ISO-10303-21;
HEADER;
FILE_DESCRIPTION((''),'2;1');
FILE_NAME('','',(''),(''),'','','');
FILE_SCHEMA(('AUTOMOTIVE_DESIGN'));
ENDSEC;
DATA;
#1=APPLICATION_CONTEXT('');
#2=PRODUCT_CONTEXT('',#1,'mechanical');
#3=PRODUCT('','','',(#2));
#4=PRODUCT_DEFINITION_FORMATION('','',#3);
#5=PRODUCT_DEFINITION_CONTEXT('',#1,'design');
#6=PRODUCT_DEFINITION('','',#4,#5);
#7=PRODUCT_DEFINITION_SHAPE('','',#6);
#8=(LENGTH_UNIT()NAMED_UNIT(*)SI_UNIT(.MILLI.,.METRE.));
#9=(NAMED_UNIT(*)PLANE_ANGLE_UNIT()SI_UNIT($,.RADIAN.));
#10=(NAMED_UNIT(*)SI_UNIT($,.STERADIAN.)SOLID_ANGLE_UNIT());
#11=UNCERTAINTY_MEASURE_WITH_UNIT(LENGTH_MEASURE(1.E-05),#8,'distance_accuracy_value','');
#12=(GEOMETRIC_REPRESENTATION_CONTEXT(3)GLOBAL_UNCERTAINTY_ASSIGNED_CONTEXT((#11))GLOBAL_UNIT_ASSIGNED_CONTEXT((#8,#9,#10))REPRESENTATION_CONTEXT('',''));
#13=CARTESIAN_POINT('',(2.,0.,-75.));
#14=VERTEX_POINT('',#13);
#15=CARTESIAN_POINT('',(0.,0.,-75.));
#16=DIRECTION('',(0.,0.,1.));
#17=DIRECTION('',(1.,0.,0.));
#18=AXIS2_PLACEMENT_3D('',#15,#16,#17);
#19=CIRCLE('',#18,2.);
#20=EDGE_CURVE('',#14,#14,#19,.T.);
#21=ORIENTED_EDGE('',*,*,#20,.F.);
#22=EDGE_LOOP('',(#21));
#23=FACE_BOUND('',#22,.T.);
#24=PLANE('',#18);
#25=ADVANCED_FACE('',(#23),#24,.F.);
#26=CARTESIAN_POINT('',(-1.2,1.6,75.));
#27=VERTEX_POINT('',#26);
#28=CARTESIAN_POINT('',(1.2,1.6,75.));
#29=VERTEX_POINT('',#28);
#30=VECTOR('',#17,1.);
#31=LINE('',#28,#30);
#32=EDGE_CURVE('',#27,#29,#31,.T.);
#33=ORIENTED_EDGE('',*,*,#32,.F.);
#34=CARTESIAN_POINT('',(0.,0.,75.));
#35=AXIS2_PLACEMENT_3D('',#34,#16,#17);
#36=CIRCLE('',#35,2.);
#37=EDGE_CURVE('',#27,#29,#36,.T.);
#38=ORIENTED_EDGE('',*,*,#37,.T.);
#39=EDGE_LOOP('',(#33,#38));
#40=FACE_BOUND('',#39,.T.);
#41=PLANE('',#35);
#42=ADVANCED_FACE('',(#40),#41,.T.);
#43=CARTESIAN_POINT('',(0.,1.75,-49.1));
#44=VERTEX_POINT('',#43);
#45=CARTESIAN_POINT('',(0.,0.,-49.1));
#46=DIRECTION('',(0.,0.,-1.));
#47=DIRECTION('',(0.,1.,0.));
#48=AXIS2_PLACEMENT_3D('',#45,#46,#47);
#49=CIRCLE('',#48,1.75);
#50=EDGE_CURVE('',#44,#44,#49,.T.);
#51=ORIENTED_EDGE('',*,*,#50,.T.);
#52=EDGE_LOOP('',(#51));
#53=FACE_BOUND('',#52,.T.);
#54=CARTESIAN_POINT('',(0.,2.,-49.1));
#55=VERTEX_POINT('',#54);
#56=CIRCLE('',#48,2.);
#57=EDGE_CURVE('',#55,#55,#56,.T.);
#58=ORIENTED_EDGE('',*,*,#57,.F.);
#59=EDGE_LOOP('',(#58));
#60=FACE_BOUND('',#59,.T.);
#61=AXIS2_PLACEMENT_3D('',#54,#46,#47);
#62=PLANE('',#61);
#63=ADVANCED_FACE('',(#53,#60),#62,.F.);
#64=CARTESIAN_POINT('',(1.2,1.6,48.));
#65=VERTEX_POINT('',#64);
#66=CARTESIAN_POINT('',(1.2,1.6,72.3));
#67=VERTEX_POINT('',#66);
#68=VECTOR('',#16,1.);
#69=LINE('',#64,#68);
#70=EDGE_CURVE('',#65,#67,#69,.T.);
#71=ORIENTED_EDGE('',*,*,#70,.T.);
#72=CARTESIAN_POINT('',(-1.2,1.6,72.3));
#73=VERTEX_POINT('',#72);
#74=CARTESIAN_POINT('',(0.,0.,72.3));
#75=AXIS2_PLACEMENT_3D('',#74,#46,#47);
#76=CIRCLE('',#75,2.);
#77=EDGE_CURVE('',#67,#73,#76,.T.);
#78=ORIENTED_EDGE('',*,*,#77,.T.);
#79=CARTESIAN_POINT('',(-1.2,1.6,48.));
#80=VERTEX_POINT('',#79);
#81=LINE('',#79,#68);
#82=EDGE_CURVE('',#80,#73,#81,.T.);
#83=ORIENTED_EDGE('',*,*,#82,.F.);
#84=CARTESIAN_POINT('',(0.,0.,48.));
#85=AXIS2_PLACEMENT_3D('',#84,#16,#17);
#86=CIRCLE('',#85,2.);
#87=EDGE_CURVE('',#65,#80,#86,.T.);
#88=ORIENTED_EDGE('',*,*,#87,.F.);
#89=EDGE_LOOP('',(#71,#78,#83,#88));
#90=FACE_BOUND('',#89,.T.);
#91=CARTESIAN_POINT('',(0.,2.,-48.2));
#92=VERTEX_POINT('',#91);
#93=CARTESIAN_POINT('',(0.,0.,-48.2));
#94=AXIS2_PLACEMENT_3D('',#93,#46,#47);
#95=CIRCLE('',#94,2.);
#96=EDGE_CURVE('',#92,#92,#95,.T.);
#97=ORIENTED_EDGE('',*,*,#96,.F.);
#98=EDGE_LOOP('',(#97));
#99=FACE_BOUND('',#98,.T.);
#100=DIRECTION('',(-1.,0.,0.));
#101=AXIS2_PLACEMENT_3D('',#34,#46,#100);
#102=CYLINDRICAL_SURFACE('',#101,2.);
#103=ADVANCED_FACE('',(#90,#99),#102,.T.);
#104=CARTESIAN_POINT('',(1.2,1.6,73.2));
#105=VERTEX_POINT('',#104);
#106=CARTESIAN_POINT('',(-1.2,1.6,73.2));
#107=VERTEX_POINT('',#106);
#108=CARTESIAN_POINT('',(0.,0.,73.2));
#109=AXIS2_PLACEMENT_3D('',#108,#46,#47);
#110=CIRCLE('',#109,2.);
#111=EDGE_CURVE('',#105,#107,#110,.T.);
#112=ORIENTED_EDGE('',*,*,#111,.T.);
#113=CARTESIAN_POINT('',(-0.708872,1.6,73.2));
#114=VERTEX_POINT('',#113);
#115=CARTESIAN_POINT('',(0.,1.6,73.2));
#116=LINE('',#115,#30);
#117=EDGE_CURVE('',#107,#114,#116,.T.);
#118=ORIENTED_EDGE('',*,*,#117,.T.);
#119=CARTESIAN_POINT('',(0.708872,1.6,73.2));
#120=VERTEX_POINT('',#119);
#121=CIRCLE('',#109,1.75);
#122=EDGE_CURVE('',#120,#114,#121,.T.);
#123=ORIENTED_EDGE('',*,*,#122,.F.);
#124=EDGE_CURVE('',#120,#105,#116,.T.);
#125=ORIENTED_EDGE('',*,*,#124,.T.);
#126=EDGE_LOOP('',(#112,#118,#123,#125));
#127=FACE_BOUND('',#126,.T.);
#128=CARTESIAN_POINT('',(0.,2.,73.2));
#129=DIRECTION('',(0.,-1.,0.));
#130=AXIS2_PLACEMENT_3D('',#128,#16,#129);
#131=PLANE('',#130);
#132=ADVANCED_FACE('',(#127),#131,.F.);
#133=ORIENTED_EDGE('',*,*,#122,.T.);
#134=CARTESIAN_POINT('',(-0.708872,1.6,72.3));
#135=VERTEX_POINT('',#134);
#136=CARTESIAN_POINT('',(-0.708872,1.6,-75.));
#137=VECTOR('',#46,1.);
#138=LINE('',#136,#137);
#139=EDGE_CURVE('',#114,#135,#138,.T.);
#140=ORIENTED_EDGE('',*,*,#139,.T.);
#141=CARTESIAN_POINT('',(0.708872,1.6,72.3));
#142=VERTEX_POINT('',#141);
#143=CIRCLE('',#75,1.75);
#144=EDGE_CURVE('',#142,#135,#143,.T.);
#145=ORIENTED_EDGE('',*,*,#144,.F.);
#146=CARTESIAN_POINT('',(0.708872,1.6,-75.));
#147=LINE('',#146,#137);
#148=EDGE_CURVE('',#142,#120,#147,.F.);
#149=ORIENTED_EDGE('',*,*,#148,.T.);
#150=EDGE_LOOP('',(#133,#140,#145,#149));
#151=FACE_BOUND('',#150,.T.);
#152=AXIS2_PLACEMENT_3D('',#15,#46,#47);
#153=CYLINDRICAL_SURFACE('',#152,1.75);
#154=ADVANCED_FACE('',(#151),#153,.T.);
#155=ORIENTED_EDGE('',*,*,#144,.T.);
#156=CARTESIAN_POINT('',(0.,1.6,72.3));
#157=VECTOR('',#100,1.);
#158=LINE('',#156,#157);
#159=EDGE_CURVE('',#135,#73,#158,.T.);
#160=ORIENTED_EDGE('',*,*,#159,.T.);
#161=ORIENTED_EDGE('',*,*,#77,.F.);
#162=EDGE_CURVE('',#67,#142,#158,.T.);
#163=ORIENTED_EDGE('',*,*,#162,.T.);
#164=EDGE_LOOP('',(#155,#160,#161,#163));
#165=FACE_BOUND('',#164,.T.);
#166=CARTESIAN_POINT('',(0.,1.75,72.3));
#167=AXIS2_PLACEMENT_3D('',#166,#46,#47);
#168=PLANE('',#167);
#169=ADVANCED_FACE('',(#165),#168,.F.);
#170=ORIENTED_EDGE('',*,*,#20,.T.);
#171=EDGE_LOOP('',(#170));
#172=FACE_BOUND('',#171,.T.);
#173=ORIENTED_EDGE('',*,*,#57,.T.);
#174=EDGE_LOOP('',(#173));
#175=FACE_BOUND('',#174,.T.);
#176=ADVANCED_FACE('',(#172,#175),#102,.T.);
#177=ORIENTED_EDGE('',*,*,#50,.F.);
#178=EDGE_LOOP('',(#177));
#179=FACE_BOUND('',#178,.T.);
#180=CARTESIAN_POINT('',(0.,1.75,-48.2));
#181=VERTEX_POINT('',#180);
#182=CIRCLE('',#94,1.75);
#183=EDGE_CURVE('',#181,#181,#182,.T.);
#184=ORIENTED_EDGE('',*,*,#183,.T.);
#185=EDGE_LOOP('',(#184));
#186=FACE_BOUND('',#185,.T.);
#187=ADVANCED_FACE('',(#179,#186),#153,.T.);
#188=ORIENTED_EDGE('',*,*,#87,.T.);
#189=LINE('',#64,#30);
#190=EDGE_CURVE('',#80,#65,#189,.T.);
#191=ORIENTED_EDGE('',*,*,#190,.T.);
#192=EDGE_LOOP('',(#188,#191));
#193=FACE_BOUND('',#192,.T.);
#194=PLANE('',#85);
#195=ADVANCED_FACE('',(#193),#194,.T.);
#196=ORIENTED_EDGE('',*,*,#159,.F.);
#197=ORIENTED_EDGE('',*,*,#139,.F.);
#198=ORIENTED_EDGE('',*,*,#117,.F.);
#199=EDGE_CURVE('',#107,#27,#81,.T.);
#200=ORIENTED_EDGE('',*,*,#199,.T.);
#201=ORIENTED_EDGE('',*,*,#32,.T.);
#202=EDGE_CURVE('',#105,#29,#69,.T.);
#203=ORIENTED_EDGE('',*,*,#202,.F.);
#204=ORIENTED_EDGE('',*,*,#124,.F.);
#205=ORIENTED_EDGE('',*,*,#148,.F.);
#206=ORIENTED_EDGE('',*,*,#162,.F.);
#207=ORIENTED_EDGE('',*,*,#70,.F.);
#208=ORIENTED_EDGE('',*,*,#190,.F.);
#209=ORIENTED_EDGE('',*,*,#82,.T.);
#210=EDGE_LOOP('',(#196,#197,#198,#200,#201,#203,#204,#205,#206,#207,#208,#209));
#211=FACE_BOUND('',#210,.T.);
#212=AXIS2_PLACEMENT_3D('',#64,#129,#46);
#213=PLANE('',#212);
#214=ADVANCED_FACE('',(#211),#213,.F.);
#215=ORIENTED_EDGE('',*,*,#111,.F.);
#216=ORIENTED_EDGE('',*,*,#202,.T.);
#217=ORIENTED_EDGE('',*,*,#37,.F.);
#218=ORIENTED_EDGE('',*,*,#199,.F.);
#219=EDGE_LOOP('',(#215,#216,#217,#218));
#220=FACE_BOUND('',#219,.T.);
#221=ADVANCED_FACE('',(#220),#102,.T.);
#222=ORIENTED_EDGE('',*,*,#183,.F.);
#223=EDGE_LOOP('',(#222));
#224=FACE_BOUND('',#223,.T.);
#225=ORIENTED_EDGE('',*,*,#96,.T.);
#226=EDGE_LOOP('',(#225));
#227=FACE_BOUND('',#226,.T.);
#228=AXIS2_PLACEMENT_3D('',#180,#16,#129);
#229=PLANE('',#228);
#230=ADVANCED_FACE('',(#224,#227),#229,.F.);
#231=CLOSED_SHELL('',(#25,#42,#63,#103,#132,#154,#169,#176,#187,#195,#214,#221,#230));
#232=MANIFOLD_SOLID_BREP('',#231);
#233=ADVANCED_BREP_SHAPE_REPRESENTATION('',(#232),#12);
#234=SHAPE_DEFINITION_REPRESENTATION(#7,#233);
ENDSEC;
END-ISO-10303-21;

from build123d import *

# Parameters (mm, degrees)
SKIZZE1_R                       = 2
AUFSATZ_LINEAR_AUSTRAGEN1_DEPTH = 75
SKIZZE7_W                       = 0.9
SKIZZE7_H                       = 0.25
SCHNITT_LINEAR_AUSTRAGEN1_DEPTH = 27


with BuildPart() as part:
    # Skizze1 → Aufsatz-Linear austragen1 (new, symmetric)
    with BuildSketch(Plane.XY):
        Circle(SKIZZE1_R)
    extrude(amount=AUFSATZ_LINEAR_AUSTRAGEN1_DEPTH, both=True)

    # Skizze7 → Schnitt-Rotation1 (revolve, cut)
    with BuildSketch(Plane(origin=(0, 0, 0), x_dir=(0, 0, -1), z_dir=(1, 0, 0))):
        with Locations((-72.75, 1.875)):
            Rectangle(SKIZZE7_W, SKIZZE7_H)
        with Locations((48.65, 1.875)):
            Rectangle(SKIZZE7_W, SKIZZE7_H)
    revolve(axis=Axis((0, 0, -75), (0, 0, 1)), mode=Mode.SUBTRACT)

    # Skizze8 → Schnitt-Linear austragen1 (cut)
    with BuildSketch(Plane.XY.offset(75)):
        with BuildLine():
            Line((1.2, 1.6), (-1.2, 1.6))
            ThreePointArc((-1.2, 1.6), (0, 2), (1.2, 1.6))
        make_face()
    extrude(amount=-SCHNITT_LINEAR_AUSTRAGEN1_DEPTH, mode=Mode.SUBTRACT)


solid = part.part
